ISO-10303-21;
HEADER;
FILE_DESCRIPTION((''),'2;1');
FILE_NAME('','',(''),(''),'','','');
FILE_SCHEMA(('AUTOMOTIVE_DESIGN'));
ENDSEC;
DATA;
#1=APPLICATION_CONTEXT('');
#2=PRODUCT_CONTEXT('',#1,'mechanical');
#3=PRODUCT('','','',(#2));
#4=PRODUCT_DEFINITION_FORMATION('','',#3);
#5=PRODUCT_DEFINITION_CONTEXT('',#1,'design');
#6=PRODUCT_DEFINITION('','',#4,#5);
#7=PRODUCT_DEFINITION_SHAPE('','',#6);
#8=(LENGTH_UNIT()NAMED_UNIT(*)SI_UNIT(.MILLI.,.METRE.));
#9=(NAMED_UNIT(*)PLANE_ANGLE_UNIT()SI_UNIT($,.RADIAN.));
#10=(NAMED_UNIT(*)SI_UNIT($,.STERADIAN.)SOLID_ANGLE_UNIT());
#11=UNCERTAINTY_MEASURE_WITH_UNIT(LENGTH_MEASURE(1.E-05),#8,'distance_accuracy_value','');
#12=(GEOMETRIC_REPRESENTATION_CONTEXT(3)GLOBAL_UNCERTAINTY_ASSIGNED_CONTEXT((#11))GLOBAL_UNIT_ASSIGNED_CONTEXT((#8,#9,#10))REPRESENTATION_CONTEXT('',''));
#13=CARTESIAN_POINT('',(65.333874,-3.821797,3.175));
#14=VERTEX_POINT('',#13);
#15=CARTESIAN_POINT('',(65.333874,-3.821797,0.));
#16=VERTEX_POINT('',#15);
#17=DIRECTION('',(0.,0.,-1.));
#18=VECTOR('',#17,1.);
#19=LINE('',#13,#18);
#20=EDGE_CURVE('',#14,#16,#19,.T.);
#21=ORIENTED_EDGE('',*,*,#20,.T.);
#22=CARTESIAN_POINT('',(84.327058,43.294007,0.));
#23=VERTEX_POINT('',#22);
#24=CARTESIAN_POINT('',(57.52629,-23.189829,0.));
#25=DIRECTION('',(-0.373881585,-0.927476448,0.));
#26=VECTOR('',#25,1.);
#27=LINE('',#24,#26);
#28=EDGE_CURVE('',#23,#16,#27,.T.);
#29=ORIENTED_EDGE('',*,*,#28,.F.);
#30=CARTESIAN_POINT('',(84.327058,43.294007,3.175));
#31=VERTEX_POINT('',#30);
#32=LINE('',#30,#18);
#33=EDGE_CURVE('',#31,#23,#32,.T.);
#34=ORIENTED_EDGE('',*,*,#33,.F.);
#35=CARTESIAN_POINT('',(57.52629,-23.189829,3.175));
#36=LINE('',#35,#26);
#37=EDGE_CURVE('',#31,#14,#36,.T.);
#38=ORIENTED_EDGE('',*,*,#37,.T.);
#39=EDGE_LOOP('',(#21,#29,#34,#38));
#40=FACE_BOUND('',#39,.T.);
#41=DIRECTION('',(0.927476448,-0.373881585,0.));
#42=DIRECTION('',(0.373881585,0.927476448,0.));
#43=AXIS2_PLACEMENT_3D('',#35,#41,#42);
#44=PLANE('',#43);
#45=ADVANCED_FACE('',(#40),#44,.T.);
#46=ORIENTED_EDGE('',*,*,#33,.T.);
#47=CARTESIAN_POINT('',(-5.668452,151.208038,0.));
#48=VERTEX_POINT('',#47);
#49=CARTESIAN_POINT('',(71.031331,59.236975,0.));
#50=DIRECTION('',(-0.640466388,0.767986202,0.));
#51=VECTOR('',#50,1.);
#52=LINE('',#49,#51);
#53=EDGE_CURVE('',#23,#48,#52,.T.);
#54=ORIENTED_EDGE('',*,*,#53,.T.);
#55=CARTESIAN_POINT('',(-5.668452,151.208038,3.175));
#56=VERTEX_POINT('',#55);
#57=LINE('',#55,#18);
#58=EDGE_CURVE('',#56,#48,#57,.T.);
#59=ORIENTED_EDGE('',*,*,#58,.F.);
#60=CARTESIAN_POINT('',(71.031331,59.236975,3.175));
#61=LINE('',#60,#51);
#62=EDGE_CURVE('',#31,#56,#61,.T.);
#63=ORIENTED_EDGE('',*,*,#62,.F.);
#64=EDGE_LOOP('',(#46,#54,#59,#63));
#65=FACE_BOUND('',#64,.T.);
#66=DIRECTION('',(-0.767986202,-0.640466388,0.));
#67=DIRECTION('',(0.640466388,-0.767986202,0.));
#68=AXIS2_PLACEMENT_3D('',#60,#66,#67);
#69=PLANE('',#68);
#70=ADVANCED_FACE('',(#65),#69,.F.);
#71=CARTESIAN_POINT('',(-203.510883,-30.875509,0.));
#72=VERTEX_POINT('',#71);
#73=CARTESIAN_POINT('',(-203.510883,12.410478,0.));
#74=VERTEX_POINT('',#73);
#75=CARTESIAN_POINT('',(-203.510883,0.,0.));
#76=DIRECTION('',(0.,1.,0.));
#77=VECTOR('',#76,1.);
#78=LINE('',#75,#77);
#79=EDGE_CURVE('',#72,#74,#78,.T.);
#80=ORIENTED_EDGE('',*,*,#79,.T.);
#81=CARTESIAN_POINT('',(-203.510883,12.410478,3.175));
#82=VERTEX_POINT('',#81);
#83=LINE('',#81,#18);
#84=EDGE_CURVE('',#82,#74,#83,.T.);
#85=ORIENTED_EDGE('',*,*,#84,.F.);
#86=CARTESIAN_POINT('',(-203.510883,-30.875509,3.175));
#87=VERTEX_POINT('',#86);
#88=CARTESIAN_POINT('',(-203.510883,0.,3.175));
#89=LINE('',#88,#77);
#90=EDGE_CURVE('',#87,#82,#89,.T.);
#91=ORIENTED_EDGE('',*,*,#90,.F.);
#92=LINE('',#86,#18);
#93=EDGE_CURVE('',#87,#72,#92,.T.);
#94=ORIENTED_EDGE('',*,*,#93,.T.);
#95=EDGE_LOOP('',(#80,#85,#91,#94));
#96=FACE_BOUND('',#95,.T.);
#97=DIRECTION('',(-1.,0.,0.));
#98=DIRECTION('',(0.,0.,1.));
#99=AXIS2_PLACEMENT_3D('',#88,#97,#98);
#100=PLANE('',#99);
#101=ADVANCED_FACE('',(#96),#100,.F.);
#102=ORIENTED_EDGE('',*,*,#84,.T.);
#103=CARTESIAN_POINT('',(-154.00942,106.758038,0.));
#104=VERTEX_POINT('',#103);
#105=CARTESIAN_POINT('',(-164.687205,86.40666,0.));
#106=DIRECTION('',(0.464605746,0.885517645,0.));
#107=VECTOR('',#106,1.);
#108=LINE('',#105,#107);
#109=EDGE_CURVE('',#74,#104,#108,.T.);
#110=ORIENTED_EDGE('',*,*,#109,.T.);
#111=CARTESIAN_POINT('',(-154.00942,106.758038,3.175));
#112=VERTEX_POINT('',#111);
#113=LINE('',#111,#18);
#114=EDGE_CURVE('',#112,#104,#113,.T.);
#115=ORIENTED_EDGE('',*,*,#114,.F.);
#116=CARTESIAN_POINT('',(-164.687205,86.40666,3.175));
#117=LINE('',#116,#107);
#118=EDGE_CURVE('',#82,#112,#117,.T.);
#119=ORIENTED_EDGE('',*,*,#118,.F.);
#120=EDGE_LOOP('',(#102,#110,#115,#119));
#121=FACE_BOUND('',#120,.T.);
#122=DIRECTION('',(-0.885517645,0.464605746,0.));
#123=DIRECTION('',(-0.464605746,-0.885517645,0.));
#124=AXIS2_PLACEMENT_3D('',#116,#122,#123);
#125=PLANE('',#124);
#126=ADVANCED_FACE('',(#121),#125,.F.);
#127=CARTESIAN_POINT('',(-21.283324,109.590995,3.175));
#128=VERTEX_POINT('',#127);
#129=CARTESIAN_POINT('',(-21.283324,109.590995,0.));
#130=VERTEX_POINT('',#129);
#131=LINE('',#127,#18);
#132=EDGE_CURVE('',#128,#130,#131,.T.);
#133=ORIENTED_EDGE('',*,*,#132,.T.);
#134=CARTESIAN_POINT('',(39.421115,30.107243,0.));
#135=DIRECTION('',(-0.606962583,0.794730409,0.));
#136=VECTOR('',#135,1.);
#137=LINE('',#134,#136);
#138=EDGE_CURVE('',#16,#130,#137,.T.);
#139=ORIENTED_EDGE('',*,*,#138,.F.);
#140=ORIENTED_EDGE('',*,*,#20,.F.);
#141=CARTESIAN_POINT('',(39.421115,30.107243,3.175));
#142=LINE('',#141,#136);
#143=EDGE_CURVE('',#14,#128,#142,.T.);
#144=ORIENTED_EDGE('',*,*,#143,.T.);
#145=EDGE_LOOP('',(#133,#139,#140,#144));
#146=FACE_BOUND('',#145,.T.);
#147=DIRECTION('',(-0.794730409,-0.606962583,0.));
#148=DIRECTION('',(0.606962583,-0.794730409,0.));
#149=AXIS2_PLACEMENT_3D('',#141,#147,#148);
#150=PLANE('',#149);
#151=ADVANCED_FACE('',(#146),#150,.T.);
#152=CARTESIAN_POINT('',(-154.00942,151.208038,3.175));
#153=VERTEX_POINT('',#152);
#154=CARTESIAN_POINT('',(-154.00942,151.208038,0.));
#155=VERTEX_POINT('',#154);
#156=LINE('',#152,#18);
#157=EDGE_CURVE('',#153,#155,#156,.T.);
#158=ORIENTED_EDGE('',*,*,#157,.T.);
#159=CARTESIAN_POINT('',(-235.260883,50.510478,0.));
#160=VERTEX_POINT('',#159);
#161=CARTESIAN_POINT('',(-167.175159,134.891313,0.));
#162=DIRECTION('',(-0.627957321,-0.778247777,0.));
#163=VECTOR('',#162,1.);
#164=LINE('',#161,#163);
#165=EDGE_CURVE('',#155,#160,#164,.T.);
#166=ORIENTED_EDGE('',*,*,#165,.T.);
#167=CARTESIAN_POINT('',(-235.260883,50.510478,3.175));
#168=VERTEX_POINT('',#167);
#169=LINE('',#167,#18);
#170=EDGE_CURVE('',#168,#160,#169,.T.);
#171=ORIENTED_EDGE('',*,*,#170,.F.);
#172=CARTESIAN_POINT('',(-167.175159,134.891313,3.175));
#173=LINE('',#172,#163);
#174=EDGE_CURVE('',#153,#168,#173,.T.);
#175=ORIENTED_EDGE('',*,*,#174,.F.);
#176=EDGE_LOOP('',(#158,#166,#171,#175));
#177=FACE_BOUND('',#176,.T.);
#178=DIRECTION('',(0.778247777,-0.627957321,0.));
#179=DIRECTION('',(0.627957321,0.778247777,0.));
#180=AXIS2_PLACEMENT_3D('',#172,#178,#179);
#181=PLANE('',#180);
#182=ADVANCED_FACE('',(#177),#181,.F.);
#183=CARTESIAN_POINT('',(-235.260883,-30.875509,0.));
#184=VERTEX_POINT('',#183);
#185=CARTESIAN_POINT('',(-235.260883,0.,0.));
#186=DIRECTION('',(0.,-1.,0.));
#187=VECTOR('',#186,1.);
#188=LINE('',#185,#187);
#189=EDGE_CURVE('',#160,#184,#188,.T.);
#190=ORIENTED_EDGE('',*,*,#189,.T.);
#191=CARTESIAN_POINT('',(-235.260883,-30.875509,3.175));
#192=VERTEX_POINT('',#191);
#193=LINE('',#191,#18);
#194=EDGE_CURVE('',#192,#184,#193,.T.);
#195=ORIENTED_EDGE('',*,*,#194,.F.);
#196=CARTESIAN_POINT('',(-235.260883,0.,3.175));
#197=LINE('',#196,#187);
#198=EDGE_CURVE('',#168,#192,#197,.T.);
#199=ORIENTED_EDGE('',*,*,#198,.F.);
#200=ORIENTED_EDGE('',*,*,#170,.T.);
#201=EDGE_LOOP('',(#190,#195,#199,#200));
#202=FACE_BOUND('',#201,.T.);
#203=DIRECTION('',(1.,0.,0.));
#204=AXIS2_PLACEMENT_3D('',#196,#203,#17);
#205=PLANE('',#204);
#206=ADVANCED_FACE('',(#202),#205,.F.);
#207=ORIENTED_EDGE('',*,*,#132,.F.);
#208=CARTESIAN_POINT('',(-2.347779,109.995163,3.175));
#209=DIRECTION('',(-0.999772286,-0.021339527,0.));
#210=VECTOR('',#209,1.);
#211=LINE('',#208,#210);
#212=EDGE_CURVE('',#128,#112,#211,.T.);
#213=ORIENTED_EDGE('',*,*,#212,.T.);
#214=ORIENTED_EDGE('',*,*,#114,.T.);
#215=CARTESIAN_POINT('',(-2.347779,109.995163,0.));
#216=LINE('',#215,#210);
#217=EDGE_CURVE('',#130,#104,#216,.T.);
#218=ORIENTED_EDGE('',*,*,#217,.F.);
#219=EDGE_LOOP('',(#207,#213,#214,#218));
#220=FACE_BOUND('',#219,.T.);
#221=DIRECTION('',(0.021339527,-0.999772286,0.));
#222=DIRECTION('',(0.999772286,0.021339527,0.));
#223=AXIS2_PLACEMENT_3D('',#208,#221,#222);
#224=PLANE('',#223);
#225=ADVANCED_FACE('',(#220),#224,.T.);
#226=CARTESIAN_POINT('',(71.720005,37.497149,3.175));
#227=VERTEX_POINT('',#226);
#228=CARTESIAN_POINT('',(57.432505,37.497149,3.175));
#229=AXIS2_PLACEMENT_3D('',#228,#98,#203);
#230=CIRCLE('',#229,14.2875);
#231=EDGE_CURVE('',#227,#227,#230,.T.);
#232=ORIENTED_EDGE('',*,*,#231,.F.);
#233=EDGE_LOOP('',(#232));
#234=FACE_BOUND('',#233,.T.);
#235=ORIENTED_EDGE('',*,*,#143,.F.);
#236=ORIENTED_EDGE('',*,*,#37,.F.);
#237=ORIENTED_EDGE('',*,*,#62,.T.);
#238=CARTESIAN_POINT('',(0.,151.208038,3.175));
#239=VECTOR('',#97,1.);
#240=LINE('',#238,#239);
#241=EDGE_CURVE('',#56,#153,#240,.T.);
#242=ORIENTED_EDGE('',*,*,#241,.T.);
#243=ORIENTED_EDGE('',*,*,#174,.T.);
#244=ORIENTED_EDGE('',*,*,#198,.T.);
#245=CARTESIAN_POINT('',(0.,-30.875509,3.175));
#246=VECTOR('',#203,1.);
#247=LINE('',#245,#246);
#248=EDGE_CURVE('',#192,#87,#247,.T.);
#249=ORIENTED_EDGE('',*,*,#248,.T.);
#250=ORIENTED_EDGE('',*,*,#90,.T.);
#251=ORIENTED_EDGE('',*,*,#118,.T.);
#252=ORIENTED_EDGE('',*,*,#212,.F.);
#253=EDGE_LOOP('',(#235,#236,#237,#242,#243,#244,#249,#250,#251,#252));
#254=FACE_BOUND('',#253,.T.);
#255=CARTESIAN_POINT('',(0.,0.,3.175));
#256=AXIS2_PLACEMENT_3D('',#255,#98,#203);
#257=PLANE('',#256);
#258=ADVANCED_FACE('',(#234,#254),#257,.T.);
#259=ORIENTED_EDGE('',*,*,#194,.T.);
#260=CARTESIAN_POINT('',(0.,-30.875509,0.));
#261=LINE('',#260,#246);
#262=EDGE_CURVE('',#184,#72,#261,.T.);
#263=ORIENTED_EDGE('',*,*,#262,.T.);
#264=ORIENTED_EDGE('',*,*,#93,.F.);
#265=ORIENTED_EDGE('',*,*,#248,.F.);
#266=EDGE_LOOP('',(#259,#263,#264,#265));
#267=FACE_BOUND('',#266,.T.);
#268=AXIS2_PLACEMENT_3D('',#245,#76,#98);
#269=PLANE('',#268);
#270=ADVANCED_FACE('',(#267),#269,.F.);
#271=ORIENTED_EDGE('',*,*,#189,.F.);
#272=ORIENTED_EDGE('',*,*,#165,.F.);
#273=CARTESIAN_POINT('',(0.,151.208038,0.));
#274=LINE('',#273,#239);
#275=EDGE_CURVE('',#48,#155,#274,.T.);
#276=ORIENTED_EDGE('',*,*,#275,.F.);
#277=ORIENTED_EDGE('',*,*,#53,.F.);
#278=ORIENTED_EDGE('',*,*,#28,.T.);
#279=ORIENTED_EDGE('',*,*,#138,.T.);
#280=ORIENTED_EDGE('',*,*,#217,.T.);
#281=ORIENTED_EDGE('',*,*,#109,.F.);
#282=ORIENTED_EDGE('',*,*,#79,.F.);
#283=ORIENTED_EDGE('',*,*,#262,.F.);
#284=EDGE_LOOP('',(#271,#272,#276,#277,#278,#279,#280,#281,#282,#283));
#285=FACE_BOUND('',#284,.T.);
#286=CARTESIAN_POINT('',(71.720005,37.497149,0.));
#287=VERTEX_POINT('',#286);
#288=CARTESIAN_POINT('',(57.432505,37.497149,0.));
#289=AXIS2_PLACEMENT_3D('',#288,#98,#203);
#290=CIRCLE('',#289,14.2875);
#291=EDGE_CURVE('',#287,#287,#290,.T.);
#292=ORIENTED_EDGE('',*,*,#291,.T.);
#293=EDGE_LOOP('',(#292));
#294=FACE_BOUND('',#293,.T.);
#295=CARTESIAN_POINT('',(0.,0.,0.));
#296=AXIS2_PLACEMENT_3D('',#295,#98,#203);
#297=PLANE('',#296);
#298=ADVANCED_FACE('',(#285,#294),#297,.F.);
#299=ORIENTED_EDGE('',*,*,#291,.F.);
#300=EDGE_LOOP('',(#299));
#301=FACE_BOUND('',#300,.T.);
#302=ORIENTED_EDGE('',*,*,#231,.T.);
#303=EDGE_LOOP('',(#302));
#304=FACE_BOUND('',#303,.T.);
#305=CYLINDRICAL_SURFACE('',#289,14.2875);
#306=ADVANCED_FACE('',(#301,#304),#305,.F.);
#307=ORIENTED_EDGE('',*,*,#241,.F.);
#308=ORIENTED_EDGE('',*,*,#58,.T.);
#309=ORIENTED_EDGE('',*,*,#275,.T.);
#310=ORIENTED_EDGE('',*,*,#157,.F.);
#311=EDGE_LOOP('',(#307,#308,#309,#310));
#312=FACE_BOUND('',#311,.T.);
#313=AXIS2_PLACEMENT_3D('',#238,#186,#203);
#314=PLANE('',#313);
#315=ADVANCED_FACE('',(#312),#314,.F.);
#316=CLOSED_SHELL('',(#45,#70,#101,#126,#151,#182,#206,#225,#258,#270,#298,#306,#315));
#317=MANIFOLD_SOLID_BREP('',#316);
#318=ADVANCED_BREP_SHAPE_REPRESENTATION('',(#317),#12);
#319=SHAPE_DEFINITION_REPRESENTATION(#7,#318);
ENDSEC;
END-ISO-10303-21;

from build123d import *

# Parameters (mm, degrees)
BOSS_EXTRUDE2_DEPTH = 3.175
SKETCH2_R           = 14.2875
CUT_EXTRUDE1_DEPTH  = 3.175


with BuildPart() as part:
    # Sketch1 → Boss-Extrude2 (new body)
    with BuildSketch(Plane.XY):
        Polygon((-154.009419924, 151.208038155), (-235.260882618, 50.510477833), (-235.260882618, -30.875508962), (-203.510882618, -30.875508962), (-203.510882618, 12.410477833), (-154.009419924, 106.758038155), (-21.283324035, 109.590995301), (65.333873999, -3.821796775), (84.327058491, 43.294006761), (-5.668451505, 151.208038155), align=None)
    extrude(amount=BOSS_EXTRUDE2_DEPTH)

    # Sketch2 → Cut-Extrude1 (cut)
    with BuildSketch(Plane.XY.offset(3.175)):
        with Locations((57.432504825, 37.497148832)):
            Circle(SKETCH2_R)
    extrude(amount=-CUT_EXTRUDE1_DEPTH, mode=Mode.SUBTRACT)


solid = part.part
